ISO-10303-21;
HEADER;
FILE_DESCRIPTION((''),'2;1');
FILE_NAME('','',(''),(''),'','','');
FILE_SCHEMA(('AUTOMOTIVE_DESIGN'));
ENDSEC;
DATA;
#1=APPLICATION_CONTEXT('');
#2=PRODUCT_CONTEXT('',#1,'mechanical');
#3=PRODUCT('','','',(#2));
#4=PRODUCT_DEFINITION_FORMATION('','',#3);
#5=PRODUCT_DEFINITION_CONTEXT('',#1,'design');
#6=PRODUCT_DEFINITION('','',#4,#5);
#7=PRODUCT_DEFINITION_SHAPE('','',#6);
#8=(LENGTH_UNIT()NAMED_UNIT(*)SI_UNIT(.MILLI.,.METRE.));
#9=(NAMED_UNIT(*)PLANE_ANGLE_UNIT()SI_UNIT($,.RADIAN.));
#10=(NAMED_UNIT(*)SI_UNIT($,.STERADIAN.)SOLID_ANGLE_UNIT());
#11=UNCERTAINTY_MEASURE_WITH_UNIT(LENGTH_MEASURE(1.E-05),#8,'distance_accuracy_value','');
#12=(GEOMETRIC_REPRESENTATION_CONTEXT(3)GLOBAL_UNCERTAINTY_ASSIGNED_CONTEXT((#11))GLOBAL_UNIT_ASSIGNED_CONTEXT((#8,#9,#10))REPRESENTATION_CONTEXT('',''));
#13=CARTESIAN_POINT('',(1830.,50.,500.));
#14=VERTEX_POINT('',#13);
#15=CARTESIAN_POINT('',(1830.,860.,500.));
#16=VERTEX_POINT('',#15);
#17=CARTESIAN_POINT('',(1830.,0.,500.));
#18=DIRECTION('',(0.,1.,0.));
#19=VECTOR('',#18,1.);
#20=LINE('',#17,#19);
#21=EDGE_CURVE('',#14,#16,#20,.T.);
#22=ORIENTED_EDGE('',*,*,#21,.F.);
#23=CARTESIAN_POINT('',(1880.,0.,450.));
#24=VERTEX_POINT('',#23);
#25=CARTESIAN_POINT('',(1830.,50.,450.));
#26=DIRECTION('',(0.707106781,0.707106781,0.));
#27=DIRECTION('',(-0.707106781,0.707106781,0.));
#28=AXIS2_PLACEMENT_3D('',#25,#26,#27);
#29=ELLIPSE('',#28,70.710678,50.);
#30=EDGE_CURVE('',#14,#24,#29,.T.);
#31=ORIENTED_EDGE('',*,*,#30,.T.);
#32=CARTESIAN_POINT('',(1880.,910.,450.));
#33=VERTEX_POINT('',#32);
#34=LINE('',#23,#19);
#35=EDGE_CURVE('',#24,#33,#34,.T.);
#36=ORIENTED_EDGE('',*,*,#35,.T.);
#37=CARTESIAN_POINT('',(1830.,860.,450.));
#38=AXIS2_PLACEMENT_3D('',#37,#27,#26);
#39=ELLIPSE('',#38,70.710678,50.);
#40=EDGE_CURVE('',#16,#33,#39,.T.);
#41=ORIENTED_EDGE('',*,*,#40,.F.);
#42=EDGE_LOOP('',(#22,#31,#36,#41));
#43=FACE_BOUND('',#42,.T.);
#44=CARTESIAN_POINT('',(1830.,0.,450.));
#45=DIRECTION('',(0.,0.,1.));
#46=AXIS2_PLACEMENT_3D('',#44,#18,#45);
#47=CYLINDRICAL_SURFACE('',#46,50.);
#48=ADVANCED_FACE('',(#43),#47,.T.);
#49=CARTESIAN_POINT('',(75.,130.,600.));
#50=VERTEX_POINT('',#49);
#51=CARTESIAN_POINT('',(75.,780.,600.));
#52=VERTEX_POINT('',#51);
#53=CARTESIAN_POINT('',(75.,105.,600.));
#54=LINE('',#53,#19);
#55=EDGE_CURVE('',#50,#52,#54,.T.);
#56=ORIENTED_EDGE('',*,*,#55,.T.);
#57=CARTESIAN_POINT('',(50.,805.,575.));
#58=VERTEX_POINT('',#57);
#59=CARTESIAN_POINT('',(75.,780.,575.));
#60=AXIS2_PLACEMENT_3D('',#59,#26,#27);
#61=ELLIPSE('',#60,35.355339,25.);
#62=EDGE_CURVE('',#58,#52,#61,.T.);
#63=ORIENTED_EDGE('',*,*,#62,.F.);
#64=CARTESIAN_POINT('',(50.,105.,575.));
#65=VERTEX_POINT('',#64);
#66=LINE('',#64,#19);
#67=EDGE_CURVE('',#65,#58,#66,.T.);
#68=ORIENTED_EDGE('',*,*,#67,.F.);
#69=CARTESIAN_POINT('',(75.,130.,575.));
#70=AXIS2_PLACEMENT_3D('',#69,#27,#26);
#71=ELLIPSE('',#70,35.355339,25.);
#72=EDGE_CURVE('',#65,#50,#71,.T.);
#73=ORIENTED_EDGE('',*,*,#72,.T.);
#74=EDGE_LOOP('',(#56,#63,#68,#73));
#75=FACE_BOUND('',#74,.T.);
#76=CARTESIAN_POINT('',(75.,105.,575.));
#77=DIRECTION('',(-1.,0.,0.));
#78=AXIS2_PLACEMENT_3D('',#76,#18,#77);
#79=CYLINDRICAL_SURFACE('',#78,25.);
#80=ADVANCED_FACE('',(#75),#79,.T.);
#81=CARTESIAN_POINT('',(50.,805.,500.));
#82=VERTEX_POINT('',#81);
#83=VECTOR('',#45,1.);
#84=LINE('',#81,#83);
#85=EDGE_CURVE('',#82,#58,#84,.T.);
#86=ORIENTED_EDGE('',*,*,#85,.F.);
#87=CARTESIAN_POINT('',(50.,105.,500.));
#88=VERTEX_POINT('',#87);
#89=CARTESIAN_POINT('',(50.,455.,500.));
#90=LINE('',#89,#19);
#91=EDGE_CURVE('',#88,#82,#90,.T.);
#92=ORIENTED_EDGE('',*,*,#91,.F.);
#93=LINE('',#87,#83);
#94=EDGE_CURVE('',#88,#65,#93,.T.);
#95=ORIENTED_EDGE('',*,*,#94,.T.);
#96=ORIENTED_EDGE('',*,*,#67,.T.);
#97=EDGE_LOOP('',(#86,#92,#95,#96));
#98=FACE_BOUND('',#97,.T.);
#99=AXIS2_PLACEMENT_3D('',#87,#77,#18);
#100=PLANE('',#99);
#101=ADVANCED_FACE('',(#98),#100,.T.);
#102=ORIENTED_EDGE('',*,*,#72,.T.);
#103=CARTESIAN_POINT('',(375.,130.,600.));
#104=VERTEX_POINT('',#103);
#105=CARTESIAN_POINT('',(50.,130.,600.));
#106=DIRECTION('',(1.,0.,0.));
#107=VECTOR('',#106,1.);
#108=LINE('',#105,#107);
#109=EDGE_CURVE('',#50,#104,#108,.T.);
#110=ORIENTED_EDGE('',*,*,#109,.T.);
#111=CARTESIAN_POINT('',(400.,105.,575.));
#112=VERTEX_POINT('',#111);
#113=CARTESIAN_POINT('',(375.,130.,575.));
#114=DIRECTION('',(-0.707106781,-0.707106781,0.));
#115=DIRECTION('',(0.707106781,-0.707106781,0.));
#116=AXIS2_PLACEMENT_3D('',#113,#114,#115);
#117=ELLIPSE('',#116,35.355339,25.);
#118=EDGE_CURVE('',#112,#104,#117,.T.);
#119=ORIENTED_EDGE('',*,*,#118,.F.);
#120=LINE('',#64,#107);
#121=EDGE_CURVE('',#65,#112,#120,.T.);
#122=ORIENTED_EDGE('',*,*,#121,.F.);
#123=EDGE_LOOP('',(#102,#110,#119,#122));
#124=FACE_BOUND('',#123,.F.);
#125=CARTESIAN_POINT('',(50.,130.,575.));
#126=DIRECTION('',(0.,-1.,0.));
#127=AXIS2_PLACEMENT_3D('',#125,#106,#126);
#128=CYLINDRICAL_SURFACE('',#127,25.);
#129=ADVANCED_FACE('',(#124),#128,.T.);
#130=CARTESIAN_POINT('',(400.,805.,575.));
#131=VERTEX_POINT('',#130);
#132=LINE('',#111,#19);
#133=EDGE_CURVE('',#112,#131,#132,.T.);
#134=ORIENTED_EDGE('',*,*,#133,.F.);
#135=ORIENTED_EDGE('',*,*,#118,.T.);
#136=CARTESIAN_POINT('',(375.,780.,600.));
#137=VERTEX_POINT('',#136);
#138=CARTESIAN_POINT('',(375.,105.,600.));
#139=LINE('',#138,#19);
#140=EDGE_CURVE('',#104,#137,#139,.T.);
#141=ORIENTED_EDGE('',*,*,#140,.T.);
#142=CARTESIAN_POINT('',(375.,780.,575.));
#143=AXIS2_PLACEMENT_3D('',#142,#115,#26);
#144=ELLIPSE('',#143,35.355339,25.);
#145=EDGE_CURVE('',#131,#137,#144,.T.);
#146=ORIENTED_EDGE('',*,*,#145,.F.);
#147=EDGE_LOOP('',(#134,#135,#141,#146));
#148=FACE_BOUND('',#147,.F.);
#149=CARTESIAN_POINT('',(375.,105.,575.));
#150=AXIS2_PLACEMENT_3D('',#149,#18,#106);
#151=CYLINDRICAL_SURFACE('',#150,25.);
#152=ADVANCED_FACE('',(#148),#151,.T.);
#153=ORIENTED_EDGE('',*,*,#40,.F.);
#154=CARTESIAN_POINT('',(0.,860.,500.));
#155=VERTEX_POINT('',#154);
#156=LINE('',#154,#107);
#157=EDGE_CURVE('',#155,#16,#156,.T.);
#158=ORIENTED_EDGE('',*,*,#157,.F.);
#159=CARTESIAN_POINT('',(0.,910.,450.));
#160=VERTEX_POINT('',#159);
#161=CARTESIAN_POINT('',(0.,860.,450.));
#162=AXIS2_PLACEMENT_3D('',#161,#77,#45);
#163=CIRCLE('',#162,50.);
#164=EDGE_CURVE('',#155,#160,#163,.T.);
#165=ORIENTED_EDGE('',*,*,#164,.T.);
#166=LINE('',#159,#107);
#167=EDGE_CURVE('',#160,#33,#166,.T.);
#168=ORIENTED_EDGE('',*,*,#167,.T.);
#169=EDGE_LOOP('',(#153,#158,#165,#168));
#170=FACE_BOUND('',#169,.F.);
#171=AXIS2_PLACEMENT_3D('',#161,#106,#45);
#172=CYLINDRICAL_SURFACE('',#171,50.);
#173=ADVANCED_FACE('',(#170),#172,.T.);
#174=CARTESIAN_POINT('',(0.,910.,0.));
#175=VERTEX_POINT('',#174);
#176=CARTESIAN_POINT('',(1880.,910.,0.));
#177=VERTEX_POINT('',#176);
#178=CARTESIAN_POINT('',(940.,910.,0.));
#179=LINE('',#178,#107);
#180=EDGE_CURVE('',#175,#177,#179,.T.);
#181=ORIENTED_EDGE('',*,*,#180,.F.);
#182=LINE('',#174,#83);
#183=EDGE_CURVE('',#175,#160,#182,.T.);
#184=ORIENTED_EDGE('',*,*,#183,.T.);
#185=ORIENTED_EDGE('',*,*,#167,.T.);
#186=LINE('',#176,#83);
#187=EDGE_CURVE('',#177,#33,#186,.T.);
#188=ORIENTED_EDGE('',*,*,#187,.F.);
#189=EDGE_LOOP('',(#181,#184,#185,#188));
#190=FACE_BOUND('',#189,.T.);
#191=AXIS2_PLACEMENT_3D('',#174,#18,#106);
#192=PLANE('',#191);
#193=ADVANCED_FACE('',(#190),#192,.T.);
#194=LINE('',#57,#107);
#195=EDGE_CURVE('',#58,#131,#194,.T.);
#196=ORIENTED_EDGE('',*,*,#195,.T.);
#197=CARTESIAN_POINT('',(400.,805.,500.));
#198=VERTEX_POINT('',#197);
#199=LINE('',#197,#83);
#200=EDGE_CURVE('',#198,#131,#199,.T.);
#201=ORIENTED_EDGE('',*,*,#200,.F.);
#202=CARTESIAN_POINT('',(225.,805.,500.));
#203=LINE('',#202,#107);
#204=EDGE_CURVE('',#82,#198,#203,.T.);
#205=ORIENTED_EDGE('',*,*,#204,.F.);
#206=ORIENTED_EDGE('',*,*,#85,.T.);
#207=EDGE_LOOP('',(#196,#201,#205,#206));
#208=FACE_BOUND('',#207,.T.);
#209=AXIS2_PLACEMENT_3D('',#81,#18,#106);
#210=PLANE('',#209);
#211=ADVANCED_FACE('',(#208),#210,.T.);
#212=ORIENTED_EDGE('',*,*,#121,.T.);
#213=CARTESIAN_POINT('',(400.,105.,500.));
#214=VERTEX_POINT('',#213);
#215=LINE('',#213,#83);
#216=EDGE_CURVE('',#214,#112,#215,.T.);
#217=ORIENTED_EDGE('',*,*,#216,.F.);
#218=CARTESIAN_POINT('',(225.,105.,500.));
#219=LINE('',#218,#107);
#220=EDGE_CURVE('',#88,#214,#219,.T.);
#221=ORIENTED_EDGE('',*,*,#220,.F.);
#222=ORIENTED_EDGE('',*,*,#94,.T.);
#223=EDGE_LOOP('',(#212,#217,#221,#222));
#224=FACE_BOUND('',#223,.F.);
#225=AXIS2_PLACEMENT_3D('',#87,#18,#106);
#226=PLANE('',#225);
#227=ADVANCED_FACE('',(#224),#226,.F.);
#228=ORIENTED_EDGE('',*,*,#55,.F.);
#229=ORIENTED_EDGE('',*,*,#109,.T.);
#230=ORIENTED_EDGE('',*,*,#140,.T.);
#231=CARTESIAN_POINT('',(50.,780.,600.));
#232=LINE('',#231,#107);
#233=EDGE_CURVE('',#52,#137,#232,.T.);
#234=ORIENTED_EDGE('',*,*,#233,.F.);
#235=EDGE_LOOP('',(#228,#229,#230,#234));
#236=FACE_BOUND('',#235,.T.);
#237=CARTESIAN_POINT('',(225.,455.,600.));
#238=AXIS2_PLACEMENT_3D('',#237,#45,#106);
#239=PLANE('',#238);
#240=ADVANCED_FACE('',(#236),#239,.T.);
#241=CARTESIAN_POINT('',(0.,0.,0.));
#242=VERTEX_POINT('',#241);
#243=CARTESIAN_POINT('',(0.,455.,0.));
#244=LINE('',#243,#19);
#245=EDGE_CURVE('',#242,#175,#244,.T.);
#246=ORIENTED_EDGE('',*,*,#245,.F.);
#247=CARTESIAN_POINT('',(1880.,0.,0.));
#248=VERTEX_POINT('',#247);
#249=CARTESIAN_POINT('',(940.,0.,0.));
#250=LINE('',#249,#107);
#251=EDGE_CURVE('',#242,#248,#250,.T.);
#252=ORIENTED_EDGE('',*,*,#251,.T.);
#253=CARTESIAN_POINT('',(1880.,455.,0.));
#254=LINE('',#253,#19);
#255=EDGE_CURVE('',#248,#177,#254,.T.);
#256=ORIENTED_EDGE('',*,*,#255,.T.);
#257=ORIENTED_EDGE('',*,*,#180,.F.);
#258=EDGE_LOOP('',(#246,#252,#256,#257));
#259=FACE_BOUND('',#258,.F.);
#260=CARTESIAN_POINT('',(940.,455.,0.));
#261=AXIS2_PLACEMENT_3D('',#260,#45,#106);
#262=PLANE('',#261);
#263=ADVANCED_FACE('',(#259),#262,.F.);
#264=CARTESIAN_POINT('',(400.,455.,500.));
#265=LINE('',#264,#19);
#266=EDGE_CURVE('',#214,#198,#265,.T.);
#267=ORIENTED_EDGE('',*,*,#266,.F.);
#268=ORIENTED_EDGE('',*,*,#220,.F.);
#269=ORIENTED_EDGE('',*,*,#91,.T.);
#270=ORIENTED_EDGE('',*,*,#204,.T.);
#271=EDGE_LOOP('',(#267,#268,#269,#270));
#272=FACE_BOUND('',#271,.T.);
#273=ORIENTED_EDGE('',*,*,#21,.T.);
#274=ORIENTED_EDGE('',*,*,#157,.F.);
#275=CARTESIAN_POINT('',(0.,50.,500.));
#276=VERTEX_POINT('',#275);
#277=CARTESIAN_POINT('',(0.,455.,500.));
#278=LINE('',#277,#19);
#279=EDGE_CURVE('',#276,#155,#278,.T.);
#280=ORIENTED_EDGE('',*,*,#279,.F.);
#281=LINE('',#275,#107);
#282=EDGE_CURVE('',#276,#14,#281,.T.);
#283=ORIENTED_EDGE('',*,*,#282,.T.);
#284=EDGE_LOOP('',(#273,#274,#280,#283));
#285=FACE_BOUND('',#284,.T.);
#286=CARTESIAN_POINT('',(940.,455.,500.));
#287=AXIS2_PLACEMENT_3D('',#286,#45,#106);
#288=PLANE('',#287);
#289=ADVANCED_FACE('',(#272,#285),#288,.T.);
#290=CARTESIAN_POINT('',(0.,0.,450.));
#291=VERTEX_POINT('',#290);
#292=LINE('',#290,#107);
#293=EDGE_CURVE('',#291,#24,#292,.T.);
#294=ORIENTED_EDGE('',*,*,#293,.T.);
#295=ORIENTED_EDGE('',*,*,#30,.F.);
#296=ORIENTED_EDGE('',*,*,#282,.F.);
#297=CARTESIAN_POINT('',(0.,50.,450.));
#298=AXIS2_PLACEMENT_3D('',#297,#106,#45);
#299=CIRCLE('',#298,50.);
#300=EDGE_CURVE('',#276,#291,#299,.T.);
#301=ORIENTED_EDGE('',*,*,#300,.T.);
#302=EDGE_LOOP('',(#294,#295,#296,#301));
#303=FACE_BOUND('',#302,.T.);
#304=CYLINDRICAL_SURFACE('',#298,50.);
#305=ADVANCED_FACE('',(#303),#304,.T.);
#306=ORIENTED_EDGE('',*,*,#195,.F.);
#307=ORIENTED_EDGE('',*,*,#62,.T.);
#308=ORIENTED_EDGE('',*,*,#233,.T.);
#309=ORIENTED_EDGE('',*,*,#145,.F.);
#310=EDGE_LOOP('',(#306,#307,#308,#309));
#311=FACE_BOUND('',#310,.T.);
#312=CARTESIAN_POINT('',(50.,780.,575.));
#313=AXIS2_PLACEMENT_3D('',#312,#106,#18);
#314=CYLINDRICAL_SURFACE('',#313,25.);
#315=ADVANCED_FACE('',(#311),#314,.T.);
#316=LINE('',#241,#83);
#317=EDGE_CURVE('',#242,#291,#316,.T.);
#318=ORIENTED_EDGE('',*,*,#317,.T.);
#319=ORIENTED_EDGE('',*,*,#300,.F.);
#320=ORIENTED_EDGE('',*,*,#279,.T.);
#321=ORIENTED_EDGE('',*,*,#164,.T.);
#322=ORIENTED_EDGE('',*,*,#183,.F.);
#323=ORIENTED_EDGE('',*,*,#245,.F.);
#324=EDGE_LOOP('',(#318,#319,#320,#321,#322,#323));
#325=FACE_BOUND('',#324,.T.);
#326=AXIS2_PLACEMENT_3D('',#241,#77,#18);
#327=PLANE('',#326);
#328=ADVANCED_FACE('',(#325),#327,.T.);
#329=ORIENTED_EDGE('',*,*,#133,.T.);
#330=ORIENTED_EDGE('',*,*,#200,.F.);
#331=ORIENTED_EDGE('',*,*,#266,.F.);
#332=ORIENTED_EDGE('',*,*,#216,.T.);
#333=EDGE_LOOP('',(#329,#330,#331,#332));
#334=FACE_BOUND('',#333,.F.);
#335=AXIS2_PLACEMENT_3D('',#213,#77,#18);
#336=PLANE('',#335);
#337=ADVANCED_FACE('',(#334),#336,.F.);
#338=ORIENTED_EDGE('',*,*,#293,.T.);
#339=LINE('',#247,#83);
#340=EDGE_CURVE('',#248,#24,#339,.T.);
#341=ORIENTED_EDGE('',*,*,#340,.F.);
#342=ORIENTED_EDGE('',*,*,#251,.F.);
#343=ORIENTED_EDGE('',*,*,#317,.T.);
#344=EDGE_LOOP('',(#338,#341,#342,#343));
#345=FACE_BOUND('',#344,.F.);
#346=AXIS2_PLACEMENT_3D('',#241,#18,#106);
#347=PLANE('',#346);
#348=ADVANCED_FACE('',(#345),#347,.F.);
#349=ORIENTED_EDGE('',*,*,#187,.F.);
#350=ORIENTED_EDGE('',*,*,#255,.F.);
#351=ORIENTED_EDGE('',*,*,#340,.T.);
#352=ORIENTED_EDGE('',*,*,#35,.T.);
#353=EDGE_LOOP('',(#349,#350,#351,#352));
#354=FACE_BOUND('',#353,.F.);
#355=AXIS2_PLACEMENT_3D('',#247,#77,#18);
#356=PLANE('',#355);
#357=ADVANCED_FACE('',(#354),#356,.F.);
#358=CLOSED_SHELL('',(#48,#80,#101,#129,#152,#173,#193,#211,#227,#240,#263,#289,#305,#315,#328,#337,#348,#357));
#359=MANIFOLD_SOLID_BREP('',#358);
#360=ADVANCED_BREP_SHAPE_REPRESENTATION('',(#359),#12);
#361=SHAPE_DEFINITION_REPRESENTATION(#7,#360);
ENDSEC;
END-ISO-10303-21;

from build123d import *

# Parameters (mm, degrees)
F0_W     = 1880
F0_H     = 910
F1_DEPTH = 500
F2_W     = 350
F2_H     = 700
F3_DEPTH = 100
F4_R     = 25
F5_R     = 50


with BuildPart() as f1:
    # F0 (on Top) → F1 (new body)
    with BuildSketch(Plane.XY):
        with Locations((940, 455)):
            Rectangle(F0_W, F0_H)
    extrude(amount=F1_DEPTH)

    # F2 (on face) → F3 (join)
    with BuildSketch(Plane.XY.offset(500)):
        with Locations((225, 455)):
            Rectangle(F2_W, F2_H)
    extrude(amount=F3_DEPTH)

    # F4
    f4_edges = [f1.edges().sort_by_distance(p)[0] for p in [
        (50, 455, 600),
        (225, 105, 600),
        (400, 455, 600),
        (225, 805, 600),
    ]]
    fillet(f4_edges, radius=F4_R)

    # F5
    f5_edges = [f1.edges().sort_by_distance(p)[0] for p in [
        (940, 910, 500),
        (1880, 455, 500),
        (940, 0, 500),
    ]]
    fillet(f5_edges, radius=F5_R)


solid = f1.part
